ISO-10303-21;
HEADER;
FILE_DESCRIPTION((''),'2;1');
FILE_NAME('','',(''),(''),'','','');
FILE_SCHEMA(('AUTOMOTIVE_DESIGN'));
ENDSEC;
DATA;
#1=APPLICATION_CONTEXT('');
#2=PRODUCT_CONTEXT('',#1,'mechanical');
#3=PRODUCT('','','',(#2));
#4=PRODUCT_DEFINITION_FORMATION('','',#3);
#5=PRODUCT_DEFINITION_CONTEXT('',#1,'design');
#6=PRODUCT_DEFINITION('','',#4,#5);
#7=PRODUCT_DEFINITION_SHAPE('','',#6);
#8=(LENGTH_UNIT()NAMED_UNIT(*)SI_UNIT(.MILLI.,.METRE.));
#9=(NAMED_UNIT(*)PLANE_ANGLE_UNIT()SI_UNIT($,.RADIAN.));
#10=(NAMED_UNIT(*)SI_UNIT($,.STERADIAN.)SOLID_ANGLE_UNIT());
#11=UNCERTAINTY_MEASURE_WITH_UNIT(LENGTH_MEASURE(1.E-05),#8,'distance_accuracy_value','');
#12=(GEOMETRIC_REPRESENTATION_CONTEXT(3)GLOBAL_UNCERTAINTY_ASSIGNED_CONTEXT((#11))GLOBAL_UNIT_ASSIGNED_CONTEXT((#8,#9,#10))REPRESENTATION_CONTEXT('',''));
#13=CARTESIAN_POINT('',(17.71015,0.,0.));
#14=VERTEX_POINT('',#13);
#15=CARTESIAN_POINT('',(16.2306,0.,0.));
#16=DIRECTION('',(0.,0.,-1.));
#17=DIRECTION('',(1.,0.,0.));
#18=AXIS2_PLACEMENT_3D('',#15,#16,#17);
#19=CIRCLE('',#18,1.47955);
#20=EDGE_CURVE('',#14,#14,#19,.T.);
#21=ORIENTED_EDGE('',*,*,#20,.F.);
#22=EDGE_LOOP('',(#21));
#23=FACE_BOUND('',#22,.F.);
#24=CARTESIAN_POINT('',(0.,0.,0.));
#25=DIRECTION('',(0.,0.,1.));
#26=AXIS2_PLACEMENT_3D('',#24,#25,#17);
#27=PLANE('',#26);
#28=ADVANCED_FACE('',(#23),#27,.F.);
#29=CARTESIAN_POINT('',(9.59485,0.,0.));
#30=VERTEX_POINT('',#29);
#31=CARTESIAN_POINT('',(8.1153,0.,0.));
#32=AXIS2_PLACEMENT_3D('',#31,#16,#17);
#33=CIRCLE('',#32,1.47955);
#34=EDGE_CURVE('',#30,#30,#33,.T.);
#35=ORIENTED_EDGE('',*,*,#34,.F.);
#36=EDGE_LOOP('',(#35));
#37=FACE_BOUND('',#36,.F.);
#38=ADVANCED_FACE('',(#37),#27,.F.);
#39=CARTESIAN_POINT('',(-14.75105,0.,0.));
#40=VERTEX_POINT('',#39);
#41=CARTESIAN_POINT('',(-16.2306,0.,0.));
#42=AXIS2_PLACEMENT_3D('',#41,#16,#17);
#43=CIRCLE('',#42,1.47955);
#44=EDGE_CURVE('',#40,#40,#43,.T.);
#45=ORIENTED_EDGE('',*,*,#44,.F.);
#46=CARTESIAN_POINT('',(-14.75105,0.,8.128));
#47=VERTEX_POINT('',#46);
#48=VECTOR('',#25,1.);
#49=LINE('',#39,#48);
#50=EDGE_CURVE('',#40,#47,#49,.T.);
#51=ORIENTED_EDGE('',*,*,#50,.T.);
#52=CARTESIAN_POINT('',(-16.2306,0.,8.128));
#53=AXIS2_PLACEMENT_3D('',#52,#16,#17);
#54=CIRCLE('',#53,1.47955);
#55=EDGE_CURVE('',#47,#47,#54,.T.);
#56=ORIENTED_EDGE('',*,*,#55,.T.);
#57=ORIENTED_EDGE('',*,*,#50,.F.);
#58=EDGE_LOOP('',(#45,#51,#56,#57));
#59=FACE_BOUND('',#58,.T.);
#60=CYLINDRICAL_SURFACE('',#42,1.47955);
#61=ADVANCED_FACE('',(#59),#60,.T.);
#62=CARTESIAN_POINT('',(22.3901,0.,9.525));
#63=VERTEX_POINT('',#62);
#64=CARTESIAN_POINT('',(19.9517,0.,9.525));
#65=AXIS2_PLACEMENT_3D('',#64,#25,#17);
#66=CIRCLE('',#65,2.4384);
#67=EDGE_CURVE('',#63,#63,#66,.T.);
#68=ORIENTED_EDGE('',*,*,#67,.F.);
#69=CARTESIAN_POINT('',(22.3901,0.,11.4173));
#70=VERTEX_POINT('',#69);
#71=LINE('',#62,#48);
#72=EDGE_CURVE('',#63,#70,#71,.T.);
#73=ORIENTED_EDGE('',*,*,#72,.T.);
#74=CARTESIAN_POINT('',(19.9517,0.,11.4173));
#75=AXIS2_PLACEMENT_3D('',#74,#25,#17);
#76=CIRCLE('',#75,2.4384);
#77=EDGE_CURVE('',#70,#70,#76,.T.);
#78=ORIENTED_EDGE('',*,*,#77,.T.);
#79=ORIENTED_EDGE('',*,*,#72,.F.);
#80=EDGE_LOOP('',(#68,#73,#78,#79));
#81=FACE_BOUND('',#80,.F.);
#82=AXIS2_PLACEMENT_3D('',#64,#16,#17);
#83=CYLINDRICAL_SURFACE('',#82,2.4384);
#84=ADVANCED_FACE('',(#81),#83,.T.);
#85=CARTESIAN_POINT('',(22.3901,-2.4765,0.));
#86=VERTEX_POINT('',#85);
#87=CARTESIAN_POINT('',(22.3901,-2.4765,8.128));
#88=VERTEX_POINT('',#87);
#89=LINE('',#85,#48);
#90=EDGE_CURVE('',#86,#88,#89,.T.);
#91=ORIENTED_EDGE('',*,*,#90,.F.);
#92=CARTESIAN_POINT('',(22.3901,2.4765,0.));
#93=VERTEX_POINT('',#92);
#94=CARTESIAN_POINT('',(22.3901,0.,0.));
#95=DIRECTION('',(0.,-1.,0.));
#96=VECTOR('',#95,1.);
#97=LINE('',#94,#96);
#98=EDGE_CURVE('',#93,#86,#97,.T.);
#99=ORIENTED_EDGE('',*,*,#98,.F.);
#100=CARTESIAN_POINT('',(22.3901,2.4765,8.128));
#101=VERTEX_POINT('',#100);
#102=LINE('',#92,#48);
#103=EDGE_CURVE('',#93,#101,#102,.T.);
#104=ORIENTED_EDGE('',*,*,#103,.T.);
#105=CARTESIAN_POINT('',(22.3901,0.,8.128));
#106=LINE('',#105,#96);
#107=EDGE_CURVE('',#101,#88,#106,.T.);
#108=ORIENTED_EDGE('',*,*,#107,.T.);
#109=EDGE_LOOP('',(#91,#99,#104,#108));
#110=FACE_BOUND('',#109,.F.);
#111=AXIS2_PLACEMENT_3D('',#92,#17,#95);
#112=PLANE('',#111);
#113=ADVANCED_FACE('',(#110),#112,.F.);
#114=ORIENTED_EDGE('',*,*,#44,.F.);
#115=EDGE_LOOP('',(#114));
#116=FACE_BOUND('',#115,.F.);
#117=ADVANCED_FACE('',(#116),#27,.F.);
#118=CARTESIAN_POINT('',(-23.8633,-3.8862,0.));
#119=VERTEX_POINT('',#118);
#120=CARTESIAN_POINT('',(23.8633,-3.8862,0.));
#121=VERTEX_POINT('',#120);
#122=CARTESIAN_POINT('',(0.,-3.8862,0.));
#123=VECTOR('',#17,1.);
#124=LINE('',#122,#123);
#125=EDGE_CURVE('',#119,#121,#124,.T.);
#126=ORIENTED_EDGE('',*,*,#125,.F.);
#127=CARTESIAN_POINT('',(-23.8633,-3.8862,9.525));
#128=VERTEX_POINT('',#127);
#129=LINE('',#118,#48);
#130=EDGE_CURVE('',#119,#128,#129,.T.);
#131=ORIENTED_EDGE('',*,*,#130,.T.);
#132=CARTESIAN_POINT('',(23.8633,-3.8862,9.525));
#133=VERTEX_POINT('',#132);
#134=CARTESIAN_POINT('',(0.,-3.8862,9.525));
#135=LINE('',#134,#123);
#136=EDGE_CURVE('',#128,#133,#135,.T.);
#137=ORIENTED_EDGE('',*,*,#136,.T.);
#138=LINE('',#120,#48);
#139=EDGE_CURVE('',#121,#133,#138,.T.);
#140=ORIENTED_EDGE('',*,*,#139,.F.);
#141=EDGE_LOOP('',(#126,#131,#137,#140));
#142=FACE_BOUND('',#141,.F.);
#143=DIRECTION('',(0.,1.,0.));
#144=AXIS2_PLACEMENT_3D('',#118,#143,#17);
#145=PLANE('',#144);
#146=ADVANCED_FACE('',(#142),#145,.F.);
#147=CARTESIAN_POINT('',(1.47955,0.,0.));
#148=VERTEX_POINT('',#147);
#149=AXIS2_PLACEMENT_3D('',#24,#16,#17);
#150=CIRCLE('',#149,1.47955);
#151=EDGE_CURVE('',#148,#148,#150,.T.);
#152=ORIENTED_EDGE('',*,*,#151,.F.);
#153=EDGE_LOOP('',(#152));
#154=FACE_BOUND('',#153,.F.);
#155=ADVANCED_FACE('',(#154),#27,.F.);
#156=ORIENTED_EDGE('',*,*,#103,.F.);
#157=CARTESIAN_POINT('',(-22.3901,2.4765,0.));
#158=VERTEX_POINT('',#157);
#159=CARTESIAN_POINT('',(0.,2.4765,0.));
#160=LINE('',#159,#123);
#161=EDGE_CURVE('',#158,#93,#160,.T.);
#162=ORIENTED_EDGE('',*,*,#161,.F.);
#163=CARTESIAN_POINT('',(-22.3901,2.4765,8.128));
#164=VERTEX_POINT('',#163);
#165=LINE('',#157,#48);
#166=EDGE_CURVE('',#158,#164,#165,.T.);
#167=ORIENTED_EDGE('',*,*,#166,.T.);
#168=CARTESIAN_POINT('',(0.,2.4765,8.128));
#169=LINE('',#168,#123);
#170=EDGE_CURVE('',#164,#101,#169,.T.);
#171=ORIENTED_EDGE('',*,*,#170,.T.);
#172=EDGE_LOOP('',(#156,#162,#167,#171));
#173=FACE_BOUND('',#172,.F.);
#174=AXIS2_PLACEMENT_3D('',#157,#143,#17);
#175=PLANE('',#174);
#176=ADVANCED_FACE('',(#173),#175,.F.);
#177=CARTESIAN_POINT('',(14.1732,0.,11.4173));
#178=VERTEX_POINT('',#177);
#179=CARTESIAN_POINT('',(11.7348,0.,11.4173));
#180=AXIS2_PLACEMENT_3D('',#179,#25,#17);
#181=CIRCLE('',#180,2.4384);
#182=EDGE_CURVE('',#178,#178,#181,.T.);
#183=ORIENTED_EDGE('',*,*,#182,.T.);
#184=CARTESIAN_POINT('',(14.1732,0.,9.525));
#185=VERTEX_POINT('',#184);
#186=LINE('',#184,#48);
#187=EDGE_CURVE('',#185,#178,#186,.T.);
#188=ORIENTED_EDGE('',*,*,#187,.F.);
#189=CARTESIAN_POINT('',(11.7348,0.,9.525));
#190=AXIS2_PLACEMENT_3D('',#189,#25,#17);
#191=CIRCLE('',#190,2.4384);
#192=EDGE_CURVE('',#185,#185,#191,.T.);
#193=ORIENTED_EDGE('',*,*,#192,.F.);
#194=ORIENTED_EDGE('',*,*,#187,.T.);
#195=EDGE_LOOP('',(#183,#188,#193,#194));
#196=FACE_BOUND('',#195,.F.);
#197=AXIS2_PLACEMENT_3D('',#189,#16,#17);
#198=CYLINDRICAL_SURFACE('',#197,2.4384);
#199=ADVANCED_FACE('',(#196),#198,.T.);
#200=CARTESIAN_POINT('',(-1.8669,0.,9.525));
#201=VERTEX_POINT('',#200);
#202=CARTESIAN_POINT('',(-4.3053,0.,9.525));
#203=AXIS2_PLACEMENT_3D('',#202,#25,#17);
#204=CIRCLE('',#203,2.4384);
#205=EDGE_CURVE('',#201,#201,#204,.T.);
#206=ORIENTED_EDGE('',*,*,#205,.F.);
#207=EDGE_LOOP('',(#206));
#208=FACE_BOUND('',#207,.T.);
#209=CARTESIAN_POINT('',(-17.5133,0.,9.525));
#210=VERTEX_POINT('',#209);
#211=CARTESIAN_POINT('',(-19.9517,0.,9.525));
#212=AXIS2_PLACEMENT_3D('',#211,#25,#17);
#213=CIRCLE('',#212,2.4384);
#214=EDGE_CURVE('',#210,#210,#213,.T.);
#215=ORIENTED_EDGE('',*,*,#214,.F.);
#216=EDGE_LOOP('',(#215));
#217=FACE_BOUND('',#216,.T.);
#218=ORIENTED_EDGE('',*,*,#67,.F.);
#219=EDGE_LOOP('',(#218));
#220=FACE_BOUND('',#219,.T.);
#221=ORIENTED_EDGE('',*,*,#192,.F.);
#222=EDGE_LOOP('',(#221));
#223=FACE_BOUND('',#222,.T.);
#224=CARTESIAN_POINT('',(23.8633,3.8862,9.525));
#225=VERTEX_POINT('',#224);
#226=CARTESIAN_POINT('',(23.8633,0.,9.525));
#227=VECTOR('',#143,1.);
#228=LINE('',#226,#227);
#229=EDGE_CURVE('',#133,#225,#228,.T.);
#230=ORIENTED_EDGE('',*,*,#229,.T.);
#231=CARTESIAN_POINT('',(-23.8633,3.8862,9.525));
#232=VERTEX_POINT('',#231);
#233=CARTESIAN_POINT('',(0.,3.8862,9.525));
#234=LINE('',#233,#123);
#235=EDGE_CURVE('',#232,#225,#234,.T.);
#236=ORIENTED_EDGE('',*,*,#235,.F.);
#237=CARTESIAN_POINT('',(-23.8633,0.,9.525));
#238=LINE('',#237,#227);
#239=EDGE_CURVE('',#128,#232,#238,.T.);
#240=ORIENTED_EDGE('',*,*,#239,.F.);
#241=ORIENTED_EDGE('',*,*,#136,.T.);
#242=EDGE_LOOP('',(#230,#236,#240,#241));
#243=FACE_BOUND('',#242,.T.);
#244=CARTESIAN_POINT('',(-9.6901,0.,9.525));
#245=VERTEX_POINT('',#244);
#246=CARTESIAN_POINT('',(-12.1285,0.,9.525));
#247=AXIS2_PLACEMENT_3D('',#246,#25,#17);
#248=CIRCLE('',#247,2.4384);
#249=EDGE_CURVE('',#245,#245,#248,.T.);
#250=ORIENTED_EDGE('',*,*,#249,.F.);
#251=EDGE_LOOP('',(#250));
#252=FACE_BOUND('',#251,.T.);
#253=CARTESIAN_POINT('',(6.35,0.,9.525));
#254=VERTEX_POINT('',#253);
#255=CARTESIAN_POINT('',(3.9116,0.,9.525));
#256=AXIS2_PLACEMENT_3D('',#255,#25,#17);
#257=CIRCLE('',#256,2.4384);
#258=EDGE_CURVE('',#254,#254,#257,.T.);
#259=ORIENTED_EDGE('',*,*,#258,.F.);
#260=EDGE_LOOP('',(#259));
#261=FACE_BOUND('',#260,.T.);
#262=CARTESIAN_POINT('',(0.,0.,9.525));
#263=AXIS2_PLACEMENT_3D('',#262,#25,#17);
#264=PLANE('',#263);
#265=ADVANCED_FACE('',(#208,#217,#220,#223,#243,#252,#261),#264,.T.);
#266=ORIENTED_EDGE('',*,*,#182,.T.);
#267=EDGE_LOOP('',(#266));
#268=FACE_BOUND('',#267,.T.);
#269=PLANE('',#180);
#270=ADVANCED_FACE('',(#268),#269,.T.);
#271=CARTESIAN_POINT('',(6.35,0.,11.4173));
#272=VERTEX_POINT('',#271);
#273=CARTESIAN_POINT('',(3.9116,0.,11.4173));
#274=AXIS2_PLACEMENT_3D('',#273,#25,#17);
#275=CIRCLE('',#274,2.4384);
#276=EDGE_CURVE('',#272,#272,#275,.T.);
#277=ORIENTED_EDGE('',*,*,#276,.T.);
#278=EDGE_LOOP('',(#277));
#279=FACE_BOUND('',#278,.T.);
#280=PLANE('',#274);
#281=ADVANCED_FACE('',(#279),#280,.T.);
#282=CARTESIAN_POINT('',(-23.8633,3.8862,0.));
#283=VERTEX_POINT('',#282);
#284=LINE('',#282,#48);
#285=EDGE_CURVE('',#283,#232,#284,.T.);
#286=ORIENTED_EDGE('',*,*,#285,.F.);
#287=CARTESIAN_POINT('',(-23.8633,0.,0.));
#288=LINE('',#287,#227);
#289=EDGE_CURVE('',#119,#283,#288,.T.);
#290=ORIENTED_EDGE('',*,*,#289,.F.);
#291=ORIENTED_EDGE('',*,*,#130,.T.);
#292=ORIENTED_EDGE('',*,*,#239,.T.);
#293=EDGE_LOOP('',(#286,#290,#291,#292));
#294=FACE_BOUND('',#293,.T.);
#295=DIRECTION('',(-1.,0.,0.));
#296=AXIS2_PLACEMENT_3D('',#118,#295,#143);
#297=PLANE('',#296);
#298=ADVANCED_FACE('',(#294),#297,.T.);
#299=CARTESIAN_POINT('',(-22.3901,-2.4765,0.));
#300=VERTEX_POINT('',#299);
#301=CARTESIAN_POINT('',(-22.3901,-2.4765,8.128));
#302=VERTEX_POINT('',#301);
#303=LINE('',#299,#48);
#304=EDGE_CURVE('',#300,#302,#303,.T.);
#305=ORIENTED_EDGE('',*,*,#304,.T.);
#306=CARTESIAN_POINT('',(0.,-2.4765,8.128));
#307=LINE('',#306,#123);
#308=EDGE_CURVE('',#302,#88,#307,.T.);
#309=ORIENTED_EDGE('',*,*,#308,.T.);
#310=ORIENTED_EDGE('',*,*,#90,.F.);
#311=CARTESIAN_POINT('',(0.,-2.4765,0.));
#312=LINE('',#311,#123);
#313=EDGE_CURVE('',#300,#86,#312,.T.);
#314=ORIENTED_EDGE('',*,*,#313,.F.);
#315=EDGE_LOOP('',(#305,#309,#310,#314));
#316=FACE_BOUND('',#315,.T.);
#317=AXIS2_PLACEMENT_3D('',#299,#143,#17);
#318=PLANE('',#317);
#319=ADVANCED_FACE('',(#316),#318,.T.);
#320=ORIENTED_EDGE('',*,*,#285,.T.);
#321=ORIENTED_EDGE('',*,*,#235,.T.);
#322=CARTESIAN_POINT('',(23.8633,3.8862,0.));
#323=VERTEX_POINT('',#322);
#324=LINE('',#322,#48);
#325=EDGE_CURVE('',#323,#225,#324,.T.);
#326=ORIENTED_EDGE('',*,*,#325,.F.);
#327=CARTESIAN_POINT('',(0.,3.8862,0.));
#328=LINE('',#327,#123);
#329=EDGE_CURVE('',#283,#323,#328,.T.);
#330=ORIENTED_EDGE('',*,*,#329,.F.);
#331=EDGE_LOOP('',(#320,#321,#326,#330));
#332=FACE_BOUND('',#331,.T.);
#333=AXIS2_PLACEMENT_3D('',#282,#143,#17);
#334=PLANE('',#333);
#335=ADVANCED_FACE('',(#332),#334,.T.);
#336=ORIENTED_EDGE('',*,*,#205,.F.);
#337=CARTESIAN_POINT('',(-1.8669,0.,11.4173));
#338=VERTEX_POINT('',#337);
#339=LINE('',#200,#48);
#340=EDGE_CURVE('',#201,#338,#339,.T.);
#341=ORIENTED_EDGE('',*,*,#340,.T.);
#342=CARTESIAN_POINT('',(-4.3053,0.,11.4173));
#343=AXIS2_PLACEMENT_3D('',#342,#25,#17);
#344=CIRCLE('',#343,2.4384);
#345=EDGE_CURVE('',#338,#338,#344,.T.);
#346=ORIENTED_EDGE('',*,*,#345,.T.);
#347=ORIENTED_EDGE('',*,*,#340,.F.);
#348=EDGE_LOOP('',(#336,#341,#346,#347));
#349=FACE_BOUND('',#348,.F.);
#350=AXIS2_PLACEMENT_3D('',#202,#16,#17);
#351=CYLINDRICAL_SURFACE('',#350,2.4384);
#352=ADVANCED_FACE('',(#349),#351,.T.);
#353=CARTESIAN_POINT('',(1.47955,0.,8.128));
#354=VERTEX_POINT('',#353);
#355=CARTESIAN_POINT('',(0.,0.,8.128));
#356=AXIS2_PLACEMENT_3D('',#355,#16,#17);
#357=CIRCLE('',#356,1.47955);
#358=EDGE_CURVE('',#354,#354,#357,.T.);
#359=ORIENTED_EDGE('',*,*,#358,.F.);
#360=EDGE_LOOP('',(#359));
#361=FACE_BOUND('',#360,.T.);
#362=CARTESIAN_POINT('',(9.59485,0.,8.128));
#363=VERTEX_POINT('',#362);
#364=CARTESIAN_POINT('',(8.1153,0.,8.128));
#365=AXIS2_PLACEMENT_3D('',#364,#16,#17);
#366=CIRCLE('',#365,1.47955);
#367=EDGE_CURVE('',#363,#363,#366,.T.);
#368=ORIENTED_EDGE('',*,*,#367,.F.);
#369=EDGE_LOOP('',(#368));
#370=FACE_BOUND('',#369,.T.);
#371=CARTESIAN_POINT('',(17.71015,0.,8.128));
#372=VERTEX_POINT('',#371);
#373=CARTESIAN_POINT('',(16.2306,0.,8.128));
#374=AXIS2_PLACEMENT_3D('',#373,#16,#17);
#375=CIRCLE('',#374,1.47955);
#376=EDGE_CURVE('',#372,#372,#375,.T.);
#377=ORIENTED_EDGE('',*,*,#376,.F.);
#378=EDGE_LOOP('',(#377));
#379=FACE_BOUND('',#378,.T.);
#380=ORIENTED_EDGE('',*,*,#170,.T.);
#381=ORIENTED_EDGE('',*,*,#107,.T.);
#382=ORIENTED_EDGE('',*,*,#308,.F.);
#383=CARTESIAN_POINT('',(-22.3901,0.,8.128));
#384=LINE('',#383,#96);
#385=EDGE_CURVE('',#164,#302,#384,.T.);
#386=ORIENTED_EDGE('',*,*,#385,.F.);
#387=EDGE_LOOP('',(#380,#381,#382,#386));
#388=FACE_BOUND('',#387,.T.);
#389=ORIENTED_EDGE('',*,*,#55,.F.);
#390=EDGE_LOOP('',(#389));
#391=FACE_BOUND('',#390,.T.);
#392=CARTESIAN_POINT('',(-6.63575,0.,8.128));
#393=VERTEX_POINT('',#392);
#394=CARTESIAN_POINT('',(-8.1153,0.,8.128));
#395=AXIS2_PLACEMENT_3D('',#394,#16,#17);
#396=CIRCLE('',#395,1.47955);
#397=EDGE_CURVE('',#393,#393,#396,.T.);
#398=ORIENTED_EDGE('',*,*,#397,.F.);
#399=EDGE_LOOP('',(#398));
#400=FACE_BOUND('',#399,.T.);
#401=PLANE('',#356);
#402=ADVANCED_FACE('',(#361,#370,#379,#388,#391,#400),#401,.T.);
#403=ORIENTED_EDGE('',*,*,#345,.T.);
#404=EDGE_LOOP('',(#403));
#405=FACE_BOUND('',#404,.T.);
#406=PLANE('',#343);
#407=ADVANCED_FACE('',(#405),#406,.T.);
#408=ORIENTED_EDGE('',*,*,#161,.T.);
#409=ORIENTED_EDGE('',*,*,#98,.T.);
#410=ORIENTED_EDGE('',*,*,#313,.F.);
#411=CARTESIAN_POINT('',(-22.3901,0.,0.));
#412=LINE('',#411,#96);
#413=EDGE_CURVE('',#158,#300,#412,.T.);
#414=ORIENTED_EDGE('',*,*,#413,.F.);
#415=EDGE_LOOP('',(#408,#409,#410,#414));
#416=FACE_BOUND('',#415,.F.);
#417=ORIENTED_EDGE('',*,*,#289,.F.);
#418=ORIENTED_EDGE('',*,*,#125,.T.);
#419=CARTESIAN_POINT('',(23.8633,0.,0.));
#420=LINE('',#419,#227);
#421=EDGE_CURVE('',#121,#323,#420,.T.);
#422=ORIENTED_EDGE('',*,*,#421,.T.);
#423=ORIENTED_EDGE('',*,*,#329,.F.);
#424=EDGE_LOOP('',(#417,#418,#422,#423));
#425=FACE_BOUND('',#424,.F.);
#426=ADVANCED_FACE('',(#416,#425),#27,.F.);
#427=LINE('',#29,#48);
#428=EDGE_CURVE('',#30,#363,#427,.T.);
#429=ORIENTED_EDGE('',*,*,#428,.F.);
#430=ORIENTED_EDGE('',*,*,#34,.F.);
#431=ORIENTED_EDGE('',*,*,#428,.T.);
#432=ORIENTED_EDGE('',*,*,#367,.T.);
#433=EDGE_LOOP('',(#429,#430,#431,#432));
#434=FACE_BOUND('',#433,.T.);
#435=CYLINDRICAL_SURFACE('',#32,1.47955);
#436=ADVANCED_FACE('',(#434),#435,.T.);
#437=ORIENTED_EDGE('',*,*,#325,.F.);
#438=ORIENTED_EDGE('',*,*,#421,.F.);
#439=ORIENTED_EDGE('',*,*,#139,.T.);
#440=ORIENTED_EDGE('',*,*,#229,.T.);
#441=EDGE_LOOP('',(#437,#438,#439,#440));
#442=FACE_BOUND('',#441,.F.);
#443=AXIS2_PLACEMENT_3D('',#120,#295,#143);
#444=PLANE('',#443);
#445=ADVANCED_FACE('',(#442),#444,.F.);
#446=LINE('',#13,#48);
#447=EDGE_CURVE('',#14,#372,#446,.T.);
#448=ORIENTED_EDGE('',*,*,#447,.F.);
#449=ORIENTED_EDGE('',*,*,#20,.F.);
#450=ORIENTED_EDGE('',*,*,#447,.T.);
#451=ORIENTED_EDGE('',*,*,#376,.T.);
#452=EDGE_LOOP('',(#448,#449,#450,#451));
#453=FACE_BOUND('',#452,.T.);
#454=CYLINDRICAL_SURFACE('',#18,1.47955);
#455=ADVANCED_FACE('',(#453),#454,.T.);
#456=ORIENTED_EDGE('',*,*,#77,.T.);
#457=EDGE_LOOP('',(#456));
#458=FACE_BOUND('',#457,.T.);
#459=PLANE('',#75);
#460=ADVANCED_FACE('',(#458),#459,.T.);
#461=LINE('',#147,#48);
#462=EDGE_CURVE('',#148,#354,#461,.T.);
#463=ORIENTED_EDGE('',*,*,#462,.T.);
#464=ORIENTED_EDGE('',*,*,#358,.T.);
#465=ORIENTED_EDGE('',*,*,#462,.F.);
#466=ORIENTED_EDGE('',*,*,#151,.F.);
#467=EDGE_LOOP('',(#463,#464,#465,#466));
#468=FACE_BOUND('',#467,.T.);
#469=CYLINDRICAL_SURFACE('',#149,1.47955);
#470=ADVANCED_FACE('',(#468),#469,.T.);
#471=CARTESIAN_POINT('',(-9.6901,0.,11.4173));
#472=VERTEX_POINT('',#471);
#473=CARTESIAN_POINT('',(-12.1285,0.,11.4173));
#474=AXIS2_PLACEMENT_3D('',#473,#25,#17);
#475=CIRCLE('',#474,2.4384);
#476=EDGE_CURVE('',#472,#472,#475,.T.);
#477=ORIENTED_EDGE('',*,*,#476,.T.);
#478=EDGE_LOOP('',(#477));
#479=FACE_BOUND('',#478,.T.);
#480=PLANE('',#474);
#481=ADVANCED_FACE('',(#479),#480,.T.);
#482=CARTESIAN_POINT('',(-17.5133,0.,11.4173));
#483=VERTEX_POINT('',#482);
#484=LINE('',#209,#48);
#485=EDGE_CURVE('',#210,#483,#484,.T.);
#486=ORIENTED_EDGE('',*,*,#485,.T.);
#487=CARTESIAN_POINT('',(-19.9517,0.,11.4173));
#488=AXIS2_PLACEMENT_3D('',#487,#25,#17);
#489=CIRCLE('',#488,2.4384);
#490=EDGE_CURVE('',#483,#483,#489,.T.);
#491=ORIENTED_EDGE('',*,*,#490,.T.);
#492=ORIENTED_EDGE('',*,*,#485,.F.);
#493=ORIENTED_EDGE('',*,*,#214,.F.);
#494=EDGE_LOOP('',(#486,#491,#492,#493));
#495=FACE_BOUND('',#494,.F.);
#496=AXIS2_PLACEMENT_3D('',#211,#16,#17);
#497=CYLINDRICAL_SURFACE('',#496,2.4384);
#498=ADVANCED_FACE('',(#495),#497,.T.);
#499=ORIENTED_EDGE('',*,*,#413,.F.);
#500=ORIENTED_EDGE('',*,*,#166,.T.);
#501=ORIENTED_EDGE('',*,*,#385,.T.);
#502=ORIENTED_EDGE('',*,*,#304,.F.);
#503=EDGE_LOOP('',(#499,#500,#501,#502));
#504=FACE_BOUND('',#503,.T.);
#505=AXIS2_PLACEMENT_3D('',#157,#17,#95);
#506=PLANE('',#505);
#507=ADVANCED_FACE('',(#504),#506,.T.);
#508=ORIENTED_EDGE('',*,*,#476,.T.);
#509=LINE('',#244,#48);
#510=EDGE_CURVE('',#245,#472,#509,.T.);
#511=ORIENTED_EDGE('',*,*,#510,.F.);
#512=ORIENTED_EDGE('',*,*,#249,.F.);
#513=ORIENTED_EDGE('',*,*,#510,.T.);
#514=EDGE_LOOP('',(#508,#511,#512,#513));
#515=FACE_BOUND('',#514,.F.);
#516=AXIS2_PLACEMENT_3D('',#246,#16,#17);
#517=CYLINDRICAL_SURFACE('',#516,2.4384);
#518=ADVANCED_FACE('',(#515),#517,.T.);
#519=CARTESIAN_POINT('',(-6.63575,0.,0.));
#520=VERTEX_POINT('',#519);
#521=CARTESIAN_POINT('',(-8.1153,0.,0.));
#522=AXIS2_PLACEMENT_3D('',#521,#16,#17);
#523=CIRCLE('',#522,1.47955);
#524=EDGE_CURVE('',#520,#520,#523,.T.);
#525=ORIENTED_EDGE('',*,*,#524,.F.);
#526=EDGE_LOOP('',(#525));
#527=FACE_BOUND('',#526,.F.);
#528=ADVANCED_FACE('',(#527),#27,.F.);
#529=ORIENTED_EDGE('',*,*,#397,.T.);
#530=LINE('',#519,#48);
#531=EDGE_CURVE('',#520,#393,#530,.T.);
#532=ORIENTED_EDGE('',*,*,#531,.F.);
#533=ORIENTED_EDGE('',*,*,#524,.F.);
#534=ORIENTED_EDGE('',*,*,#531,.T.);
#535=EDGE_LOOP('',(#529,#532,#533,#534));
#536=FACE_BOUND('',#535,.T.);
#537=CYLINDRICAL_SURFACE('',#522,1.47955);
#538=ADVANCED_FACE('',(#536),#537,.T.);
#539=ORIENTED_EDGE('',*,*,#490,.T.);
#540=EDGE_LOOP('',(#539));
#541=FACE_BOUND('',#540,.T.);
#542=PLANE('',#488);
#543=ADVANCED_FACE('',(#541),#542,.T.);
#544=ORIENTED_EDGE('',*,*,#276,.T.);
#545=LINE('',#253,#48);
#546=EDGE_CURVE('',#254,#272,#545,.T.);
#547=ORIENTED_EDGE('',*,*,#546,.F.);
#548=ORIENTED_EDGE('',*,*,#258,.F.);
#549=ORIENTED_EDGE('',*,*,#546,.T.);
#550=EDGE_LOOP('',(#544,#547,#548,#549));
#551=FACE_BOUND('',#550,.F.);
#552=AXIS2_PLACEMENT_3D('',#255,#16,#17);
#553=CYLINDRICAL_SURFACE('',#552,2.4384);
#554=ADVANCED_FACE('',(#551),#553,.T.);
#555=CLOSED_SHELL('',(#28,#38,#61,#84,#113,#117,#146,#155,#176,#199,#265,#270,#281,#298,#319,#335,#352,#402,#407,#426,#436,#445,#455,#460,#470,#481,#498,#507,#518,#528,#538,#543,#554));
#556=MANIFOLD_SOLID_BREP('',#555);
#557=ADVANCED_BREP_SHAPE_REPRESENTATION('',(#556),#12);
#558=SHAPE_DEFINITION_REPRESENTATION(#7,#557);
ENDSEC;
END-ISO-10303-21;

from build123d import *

# Parameters (mm, degrees)
F0_W     = 47.7266
F0_H     = 7.7724
F1_DEPTH = 9.525
F3_R     = 2.4384
F4_DEPTH = 1.8923
F2_W     = 44.7802
F2_H     = 4.953
F2_R     = 1.47955
F5_DEPTH = 8.128


with BuildPart() as f1:
    # F0 (on Top) → F1 (new body)
    with BuildSketch(Plane.XY):
        Rectangle(F0_W, F0_H)
    extrude(amount=F1_DEPTH)

    # F3 (on face) → F4 (join)
    with BuildSketch(Plane.XY.offset(9.525)):
        with Locations((-19.9517, 0)):
            Circle(F3_R)
        with Locations((-12.1285, 0)):
            Circle(F3_R)
        with Locations((-4.3053, 0)):
            Circle(F3_R)
        with Locations((3.9116, 0)):
            Circle(F3_R)
        with Locations((11.7348, 0)):
            Circle(F3_R)
        with Locations((19.9517, 0)):
            Circle(F3_R)
    extrude(amount=F4_DEPTH)

    # F2 (on face) → F5 (cut)
    with BuildSketch(Plane(origin=(0, 0, 0), x_dir=(1, 0, 0), z_dir=(0, 0, -1))):
        Rectangle(F2_W, F2_H)
        with Locations((-16.2306, 0)):
            Circle(F2_R, mode=Mode.SUBTRACT)
        with Locations((-8.1153, 0)):
            Circle(F2_R, mode=Mode.SUBTRACT)
        Circle(F2_R, mode=Mode.SUBTRACT)
        with Locations((8.1153, 0)):
            Circle(F2_R, mode=Mode.SUBTRACT)
        with Locations((16.2306, 0)):
            Circle(F2_R, mode=Mode.SUBTRACT)
    extrude(amount=-F5_DEPTH, mode=Mode.SUBTRACT)


solid = f1.part
